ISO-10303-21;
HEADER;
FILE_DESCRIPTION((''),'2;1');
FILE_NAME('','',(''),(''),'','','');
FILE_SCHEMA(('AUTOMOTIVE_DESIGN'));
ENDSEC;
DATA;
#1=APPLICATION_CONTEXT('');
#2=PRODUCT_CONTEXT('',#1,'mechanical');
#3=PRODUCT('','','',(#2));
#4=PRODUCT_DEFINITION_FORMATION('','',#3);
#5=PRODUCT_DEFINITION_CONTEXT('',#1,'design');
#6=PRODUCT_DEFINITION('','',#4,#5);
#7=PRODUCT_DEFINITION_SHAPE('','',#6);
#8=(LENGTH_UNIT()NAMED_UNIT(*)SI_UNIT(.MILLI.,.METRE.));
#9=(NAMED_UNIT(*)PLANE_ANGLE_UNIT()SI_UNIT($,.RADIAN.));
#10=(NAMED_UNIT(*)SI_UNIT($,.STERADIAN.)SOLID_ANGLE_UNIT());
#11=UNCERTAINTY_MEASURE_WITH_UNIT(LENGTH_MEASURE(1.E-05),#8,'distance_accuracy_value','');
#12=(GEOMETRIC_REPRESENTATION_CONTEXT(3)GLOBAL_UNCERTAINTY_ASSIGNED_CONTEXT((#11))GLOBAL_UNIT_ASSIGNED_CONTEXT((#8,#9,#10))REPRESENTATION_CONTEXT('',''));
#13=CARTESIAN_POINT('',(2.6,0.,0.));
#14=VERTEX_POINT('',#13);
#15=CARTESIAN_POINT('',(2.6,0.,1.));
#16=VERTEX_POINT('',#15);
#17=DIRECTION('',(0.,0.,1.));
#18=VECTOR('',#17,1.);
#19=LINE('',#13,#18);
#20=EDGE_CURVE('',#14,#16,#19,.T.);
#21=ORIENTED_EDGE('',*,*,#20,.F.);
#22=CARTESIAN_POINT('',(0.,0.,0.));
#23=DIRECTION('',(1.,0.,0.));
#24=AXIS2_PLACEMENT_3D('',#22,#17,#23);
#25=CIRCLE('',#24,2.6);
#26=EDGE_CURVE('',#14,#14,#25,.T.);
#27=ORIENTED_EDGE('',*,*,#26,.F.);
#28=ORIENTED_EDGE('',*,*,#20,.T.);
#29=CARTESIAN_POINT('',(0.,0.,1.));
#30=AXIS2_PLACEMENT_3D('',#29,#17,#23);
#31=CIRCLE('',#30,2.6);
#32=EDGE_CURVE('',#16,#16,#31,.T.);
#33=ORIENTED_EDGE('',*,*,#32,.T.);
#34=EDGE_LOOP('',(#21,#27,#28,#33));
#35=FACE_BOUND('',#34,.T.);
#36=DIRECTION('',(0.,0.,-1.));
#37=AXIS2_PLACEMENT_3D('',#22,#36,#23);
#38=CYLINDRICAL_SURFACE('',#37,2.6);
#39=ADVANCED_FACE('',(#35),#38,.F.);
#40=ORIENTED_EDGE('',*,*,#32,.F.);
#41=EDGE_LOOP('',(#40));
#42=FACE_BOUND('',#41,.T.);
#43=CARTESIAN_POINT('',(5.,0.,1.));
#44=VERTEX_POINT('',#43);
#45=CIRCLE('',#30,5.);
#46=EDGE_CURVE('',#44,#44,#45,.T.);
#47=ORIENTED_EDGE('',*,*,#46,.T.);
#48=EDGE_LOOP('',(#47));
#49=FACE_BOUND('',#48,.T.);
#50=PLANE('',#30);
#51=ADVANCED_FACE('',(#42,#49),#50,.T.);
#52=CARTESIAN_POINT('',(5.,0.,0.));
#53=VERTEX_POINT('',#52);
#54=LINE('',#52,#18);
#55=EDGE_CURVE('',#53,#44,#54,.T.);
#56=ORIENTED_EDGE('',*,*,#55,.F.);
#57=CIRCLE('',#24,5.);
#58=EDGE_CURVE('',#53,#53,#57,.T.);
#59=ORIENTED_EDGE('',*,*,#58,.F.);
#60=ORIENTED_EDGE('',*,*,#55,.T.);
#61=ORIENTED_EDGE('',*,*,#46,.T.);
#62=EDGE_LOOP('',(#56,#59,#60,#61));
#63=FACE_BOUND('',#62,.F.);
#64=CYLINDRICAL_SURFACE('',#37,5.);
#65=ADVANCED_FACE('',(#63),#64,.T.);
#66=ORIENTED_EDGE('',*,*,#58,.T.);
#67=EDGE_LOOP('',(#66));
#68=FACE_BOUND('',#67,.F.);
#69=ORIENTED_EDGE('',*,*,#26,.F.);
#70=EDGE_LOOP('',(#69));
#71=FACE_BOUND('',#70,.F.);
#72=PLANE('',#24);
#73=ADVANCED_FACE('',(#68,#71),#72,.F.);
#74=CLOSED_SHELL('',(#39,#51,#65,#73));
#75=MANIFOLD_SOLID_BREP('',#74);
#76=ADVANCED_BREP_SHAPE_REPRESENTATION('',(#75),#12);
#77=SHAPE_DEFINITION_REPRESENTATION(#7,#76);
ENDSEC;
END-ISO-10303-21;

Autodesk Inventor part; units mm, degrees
ref_plane "YZ Plane" through (0, 0, 0) normal (1, 0, 0) x (0, 1, 0)
ref_plane "XZ Plane" through (0, 0, 0) normal (0, 1, 0) x (-1, 0, 0)
ref_plane "XY Plane" through (0, 0, 0) normal (0, 0, 1) x (1, 0, 0)
sketch "スケッチ1" plane through (0, 0, 0) normal (0, 0, 1) x (1, 0, 0)
  circle A0 centre (0, 0) radius 2.6
  circle A1 centre (0, 0) radius 5
  dimension "d0" = 5.2
  dimension "d1" = 10
extrude "押し出し1" add sketch "スケッチ1" along normal blind 1
properties part number "AAW-0510-10"
